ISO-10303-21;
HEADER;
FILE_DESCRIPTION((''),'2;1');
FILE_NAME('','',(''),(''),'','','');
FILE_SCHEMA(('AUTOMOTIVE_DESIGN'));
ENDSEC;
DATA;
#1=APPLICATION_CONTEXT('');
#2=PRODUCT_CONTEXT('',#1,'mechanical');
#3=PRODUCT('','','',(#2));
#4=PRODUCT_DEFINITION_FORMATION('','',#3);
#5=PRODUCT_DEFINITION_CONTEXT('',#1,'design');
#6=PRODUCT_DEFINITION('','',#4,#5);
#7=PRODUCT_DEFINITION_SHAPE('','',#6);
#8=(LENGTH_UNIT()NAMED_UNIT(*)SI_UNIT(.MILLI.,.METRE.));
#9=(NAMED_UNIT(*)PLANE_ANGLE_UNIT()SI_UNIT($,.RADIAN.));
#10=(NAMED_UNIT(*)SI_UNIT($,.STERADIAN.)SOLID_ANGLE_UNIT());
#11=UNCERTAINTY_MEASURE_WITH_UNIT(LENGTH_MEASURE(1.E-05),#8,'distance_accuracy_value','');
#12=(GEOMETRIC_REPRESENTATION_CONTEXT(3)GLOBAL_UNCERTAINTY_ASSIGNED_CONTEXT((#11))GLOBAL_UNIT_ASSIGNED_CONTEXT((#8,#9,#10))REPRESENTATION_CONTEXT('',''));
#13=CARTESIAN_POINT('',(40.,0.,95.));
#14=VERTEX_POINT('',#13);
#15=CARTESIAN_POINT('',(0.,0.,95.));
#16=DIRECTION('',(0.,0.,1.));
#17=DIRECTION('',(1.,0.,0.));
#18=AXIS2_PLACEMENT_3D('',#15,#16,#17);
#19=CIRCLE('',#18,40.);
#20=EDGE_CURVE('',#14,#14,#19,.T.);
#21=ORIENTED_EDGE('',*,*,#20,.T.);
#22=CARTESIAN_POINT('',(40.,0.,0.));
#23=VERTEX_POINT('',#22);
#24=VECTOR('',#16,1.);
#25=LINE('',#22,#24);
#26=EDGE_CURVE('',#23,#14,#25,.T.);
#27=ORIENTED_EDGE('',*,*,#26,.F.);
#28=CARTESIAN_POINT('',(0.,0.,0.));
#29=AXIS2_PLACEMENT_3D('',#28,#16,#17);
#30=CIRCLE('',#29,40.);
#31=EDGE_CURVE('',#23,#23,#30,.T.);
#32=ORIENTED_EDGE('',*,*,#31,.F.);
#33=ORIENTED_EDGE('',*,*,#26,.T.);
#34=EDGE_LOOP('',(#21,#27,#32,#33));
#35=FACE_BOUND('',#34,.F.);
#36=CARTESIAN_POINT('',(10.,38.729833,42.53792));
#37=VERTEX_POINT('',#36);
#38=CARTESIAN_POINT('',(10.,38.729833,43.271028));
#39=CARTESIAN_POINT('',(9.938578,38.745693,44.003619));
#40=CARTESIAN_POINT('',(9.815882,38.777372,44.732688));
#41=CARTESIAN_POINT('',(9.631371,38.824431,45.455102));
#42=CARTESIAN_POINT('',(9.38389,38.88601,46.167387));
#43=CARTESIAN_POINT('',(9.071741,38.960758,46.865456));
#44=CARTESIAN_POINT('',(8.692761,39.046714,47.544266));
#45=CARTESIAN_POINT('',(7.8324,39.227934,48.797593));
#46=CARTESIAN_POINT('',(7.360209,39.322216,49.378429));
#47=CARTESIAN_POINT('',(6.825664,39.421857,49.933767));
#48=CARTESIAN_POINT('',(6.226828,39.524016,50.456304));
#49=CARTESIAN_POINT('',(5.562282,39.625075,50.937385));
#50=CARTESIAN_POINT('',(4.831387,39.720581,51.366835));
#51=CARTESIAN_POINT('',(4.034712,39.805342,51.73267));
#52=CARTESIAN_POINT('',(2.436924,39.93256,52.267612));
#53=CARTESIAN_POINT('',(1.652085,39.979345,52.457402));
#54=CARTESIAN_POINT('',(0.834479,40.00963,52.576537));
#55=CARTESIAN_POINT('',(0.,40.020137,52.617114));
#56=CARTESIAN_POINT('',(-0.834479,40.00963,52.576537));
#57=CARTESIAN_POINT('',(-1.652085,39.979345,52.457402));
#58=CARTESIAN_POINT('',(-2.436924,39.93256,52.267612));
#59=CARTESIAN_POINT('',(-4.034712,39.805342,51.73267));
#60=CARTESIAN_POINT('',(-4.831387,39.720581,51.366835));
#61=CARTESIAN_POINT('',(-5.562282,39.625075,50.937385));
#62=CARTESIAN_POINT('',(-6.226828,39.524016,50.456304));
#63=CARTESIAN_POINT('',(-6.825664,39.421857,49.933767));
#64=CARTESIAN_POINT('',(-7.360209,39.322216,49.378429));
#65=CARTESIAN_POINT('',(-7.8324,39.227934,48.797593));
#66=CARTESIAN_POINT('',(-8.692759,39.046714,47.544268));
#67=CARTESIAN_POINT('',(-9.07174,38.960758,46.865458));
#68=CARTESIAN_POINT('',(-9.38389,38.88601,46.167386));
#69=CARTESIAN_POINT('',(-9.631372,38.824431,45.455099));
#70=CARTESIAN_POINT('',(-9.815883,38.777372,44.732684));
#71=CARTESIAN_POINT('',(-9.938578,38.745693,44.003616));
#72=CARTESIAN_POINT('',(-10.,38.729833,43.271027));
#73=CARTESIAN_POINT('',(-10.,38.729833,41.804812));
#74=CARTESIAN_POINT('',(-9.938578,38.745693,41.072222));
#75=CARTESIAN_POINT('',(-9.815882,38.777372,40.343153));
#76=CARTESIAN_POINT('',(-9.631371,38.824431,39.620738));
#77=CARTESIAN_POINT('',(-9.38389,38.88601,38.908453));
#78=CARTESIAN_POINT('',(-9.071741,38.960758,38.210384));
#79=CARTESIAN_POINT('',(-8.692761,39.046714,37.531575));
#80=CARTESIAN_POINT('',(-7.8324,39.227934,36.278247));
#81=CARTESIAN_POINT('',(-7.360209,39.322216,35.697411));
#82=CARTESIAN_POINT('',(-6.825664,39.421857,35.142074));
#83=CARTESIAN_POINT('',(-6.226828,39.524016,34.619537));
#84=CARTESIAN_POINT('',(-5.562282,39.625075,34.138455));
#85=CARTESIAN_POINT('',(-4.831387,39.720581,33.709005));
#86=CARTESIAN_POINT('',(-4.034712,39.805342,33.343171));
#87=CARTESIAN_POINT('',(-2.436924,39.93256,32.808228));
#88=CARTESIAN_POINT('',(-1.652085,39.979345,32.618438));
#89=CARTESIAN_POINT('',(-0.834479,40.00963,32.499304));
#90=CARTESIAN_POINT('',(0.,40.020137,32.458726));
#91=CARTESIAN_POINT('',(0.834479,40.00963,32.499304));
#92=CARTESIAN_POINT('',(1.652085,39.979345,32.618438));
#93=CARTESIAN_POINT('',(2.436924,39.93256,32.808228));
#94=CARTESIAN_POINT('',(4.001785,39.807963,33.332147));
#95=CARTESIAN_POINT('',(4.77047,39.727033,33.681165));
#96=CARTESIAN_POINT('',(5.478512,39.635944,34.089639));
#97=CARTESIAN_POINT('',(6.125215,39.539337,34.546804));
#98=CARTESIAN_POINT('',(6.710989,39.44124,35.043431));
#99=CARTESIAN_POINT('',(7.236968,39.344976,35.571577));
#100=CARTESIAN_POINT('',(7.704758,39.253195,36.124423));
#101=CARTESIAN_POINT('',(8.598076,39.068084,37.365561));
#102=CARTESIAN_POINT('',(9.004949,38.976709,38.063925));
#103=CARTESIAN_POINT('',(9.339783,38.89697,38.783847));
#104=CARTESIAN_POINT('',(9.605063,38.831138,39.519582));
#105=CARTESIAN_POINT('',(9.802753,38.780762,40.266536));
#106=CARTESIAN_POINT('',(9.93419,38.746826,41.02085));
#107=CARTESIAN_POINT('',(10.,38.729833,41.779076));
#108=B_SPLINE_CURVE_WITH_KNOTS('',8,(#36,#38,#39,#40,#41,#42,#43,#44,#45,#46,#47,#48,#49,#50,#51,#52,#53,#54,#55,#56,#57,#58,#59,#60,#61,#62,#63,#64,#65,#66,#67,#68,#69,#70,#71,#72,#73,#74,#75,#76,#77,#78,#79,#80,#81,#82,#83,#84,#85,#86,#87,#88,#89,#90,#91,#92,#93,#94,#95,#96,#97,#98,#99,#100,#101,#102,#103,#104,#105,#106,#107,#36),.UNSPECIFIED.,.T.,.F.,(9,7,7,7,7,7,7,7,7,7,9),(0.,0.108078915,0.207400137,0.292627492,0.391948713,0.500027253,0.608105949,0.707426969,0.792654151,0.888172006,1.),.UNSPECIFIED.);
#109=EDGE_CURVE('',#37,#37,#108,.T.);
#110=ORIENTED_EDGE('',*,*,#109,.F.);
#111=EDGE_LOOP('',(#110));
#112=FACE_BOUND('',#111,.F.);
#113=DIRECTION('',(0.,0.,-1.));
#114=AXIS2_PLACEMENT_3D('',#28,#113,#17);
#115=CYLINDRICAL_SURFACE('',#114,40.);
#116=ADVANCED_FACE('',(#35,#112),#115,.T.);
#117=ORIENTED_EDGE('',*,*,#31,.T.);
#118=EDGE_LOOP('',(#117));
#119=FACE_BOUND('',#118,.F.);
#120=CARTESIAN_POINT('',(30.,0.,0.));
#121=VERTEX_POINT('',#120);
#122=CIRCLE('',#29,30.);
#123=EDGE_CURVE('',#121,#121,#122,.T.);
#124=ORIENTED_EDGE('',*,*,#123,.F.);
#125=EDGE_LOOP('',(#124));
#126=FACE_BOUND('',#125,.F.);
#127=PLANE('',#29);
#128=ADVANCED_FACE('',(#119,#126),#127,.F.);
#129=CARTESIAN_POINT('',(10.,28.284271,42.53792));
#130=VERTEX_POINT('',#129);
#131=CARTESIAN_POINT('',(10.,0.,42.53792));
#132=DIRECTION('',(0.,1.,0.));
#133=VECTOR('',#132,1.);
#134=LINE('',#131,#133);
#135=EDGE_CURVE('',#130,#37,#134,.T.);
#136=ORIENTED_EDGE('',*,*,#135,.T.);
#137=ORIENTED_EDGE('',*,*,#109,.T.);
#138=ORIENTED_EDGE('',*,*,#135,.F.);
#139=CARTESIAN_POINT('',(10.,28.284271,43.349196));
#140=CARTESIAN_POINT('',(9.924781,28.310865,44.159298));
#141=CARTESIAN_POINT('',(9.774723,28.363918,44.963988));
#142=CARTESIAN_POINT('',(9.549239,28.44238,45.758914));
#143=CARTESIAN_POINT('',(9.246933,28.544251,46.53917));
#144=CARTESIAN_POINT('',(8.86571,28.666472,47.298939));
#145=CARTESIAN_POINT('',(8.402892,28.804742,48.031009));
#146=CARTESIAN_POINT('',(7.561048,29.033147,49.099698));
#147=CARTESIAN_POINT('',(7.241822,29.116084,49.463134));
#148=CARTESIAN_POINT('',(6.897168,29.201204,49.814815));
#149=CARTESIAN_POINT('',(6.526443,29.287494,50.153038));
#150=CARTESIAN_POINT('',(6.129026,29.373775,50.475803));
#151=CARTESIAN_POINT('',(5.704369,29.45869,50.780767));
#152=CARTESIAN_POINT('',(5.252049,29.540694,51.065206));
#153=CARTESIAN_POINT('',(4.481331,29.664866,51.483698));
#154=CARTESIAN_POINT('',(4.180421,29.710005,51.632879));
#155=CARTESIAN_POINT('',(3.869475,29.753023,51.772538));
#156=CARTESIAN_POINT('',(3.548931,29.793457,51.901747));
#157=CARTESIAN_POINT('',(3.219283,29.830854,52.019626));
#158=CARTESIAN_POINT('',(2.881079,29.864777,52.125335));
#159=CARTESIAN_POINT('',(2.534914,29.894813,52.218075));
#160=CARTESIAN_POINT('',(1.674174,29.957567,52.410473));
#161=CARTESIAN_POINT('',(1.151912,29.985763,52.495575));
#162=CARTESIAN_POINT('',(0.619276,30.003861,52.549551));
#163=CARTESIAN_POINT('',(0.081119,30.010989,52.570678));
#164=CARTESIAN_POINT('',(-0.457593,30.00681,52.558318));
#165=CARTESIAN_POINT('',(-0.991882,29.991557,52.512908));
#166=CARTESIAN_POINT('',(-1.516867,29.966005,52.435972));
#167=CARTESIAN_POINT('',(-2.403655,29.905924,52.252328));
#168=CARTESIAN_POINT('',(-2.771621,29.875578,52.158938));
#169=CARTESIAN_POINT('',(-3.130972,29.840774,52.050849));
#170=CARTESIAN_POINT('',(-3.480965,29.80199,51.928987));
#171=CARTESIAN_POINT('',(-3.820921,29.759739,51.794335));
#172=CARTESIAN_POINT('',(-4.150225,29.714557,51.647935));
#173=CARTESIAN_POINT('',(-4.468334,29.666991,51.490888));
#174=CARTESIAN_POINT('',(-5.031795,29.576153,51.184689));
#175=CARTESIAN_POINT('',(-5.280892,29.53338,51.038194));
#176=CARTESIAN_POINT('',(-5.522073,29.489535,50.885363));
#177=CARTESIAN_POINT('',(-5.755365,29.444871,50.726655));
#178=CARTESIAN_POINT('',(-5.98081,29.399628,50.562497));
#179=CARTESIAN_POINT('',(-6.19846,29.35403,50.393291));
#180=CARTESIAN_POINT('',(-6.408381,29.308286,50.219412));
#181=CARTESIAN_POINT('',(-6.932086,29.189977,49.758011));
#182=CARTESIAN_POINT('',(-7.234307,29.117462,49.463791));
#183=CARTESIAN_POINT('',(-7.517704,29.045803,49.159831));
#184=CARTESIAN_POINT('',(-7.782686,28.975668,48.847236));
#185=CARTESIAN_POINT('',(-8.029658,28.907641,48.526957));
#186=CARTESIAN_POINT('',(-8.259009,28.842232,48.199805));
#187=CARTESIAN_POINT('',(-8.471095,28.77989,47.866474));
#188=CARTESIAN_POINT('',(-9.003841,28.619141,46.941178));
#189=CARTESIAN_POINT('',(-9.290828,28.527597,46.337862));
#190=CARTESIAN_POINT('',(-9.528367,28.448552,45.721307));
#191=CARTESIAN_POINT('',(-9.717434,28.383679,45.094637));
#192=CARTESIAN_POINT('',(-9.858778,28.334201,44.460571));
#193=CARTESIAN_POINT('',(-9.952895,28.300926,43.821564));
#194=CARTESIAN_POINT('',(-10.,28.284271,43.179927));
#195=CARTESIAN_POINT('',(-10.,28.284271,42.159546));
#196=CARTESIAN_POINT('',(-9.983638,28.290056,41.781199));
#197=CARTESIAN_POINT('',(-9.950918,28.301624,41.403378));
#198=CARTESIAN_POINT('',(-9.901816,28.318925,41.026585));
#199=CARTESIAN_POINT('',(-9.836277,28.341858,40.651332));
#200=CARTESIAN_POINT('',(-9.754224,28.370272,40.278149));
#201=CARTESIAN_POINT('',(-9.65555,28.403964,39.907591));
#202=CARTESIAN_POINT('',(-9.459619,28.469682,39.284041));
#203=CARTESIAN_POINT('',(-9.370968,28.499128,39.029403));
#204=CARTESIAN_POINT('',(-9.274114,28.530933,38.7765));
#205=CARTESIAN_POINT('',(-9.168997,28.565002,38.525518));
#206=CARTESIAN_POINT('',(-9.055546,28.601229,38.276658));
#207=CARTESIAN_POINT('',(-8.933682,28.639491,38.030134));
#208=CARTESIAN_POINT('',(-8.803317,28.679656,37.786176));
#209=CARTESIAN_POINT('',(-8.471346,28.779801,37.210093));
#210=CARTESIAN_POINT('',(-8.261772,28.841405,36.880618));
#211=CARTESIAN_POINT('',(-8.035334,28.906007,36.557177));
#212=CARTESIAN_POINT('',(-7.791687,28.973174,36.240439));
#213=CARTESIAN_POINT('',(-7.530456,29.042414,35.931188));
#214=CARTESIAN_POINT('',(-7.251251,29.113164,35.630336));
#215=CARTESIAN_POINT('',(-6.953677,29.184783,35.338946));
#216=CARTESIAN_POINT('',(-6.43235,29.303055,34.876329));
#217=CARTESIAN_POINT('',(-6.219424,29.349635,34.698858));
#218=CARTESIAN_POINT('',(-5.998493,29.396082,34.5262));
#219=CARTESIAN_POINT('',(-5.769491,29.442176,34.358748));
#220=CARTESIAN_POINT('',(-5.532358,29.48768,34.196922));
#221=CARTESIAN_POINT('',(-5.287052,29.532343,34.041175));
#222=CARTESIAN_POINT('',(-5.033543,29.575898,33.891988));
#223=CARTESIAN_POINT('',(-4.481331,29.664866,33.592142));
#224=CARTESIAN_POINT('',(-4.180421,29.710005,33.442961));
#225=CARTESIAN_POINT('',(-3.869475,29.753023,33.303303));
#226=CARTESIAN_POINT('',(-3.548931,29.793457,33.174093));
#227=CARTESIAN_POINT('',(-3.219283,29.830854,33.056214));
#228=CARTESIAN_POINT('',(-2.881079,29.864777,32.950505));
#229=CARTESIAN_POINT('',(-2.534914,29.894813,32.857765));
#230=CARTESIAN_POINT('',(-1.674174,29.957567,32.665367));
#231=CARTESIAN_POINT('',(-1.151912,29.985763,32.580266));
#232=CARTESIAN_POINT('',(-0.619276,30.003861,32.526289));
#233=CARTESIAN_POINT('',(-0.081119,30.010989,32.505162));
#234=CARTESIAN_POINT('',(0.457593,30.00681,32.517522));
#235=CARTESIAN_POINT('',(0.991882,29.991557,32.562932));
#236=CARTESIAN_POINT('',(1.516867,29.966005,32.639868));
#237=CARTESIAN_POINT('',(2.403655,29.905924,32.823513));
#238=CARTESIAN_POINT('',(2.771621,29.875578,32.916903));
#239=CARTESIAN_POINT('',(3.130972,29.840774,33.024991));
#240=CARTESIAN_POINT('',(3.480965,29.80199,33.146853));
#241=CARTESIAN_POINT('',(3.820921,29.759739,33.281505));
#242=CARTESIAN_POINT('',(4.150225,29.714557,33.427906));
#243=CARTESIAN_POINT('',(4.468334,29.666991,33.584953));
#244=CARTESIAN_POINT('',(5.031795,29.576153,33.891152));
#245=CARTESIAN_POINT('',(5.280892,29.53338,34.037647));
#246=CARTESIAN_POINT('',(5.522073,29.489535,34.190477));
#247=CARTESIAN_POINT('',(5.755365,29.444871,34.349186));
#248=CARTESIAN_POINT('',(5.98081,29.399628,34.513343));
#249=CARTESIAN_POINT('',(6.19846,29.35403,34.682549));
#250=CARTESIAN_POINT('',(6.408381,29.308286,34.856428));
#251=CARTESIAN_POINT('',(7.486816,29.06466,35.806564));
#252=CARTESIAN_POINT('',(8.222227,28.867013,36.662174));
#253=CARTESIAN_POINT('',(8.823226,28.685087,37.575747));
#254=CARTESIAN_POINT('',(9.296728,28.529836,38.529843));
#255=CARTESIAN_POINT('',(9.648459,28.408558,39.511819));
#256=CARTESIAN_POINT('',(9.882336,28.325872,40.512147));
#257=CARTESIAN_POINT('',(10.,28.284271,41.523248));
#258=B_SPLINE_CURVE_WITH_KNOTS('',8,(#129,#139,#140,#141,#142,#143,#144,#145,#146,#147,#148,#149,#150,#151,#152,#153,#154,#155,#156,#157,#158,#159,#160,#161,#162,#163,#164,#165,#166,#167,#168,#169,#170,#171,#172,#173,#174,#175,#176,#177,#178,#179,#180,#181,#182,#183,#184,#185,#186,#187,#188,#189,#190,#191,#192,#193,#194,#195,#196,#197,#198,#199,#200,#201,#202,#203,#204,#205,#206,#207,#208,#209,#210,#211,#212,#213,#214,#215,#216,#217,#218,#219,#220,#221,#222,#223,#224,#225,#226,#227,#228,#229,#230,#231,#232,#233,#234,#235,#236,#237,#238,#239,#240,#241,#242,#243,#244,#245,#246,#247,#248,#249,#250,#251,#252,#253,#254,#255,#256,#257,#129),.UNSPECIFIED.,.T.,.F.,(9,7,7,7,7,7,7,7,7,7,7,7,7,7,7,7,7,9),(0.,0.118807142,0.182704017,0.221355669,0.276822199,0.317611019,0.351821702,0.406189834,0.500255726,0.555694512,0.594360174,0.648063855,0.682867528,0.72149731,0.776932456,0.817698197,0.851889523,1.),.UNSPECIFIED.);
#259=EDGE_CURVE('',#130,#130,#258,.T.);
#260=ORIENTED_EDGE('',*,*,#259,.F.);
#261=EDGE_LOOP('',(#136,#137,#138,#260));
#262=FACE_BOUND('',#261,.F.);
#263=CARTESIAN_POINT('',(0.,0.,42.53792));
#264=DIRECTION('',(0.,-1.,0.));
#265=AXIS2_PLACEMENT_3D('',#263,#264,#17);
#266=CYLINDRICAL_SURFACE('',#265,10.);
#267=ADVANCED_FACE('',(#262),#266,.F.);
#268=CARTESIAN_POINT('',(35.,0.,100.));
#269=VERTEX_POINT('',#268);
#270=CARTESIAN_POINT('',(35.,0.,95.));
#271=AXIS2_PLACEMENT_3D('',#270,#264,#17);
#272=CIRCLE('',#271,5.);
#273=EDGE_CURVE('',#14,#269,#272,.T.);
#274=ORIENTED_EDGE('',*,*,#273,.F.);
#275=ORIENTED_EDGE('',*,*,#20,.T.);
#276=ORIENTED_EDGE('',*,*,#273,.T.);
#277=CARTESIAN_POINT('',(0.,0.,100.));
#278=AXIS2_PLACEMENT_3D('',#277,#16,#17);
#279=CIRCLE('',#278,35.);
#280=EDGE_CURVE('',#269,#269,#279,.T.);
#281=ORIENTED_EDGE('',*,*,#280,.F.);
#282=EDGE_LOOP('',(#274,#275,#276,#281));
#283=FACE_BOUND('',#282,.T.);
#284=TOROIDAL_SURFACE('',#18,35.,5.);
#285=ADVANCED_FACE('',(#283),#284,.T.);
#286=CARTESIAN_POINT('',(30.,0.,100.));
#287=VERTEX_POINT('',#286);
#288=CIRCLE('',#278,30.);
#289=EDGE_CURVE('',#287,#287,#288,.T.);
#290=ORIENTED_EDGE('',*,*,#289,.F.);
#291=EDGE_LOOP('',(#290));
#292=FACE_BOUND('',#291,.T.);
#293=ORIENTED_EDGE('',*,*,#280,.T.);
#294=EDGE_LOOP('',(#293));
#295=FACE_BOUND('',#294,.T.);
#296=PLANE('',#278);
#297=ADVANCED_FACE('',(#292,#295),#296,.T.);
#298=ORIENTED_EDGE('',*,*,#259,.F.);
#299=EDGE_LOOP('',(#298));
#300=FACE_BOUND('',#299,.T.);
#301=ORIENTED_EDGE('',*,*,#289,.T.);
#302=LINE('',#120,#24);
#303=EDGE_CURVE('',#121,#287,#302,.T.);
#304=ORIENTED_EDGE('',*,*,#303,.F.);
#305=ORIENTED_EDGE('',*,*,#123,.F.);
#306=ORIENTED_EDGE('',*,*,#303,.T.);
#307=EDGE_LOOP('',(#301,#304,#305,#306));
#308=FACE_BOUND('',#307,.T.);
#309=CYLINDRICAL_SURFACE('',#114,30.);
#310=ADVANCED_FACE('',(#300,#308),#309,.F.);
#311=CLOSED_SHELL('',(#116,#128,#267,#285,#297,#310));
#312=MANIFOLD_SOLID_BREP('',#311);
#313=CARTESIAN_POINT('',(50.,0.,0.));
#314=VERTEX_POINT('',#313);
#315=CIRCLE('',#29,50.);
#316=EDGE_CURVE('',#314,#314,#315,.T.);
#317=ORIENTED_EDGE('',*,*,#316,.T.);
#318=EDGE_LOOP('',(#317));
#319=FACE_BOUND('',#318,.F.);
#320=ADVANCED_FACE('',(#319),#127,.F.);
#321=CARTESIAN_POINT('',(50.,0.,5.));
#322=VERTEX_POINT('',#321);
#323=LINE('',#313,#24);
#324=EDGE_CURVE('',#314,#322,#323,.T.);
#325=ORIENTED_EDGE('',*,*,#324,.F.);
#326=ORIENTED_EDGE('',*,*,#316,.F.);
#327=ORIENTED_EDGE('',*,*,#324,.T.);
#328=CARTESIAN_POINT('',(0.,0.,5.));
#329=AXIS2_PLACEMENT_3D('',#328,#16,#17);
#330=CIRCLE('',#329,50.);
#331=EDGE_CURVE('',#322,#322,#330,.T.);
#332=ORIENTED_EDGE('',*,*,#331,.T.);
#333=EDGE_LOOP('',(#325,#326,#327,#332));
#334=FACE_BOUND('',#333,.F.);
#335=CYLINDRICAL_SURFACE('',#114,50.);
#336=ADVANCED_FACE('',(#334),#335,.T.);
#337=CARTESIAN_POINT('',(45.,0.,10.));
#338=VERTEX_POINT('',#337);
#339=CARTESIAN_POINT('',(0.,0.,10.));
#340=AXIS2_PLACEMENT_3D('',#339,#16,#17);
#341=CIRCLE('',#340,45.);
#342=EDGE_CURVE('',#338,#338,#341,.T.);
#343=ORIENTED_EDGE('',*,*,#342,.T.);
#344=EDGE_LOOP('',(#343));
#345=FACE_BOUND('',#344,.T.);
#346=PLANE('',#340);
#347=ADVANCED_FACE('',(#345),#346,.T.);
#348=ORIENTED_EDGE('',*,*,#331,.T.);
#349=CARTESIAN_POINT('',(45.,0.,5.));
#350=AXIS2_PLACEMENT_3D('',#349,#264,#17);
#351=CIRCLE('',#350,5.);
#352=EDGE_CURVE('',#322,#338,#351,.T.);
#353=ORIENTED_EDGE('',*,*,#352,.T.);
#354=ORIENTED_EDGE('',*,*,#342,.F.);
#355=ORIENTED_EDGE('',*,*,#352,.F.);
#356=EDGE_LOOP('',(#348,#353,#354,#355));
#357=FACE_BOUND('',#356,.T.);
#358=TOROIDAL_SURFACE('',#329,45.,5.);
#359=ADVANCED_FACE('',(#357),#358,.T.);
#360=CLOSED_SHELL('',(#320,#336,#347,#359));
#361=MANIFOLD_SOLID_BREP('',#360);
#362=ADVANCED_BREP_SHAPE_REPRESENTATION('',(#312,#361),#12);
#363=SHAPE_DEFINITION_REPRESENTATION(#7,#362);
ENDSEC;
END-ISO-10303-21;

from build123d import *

# Parameters (mm, degrees)
F0_R     = 50
F1_DEPTH = 10
F2_R     = 40
F2_R_2   = 30
F3_DEPTH = 100
F4_R     = 5
F4_2_R   = 5
F6_D     = 20
F6_DEPTH = 40.001


with BuildPart() as f1:
    # F0 (on Top) → F1 (new body)
    with BuildSketch(Plane.XY):
        Circle(F0_R)
    extrude(amount=F1_DEPTH)

    # F4#2
    f4_2_edges = [f1.edges().sort_by_distance(p)[0] for p in [
        (-50, 0, 10),
    ]]
    fillet(f4_2_edges, radius=F4_2_R)


with BuildPart() as f3:
    # F2 (on Top) → F3 (new body)
    with BuildSketch(Plane.XY):
        Circle(F2_R)
        Circle(F2_R_2, mode=Mode.SUBTRACT)
    extrude(amount=F3_DEPTH)

    # F4
    f4_edges = [f3.edges().sort_by_distance(p)[0] for p in [
        (-40, 0, 100),
    ]]
    fillet(f4_edges, radius=F4_R)

    # F6 (through all, one way)
    with BuildSketch(Plane.XZ):
        with Locations((0, 42.537920177)):
            Circle(F6_D / 2)
    extrude(amount=-F6_DEPTH, mode=Mode.SUBTRACT)


solid = Compound([f1.part, f3.part])
